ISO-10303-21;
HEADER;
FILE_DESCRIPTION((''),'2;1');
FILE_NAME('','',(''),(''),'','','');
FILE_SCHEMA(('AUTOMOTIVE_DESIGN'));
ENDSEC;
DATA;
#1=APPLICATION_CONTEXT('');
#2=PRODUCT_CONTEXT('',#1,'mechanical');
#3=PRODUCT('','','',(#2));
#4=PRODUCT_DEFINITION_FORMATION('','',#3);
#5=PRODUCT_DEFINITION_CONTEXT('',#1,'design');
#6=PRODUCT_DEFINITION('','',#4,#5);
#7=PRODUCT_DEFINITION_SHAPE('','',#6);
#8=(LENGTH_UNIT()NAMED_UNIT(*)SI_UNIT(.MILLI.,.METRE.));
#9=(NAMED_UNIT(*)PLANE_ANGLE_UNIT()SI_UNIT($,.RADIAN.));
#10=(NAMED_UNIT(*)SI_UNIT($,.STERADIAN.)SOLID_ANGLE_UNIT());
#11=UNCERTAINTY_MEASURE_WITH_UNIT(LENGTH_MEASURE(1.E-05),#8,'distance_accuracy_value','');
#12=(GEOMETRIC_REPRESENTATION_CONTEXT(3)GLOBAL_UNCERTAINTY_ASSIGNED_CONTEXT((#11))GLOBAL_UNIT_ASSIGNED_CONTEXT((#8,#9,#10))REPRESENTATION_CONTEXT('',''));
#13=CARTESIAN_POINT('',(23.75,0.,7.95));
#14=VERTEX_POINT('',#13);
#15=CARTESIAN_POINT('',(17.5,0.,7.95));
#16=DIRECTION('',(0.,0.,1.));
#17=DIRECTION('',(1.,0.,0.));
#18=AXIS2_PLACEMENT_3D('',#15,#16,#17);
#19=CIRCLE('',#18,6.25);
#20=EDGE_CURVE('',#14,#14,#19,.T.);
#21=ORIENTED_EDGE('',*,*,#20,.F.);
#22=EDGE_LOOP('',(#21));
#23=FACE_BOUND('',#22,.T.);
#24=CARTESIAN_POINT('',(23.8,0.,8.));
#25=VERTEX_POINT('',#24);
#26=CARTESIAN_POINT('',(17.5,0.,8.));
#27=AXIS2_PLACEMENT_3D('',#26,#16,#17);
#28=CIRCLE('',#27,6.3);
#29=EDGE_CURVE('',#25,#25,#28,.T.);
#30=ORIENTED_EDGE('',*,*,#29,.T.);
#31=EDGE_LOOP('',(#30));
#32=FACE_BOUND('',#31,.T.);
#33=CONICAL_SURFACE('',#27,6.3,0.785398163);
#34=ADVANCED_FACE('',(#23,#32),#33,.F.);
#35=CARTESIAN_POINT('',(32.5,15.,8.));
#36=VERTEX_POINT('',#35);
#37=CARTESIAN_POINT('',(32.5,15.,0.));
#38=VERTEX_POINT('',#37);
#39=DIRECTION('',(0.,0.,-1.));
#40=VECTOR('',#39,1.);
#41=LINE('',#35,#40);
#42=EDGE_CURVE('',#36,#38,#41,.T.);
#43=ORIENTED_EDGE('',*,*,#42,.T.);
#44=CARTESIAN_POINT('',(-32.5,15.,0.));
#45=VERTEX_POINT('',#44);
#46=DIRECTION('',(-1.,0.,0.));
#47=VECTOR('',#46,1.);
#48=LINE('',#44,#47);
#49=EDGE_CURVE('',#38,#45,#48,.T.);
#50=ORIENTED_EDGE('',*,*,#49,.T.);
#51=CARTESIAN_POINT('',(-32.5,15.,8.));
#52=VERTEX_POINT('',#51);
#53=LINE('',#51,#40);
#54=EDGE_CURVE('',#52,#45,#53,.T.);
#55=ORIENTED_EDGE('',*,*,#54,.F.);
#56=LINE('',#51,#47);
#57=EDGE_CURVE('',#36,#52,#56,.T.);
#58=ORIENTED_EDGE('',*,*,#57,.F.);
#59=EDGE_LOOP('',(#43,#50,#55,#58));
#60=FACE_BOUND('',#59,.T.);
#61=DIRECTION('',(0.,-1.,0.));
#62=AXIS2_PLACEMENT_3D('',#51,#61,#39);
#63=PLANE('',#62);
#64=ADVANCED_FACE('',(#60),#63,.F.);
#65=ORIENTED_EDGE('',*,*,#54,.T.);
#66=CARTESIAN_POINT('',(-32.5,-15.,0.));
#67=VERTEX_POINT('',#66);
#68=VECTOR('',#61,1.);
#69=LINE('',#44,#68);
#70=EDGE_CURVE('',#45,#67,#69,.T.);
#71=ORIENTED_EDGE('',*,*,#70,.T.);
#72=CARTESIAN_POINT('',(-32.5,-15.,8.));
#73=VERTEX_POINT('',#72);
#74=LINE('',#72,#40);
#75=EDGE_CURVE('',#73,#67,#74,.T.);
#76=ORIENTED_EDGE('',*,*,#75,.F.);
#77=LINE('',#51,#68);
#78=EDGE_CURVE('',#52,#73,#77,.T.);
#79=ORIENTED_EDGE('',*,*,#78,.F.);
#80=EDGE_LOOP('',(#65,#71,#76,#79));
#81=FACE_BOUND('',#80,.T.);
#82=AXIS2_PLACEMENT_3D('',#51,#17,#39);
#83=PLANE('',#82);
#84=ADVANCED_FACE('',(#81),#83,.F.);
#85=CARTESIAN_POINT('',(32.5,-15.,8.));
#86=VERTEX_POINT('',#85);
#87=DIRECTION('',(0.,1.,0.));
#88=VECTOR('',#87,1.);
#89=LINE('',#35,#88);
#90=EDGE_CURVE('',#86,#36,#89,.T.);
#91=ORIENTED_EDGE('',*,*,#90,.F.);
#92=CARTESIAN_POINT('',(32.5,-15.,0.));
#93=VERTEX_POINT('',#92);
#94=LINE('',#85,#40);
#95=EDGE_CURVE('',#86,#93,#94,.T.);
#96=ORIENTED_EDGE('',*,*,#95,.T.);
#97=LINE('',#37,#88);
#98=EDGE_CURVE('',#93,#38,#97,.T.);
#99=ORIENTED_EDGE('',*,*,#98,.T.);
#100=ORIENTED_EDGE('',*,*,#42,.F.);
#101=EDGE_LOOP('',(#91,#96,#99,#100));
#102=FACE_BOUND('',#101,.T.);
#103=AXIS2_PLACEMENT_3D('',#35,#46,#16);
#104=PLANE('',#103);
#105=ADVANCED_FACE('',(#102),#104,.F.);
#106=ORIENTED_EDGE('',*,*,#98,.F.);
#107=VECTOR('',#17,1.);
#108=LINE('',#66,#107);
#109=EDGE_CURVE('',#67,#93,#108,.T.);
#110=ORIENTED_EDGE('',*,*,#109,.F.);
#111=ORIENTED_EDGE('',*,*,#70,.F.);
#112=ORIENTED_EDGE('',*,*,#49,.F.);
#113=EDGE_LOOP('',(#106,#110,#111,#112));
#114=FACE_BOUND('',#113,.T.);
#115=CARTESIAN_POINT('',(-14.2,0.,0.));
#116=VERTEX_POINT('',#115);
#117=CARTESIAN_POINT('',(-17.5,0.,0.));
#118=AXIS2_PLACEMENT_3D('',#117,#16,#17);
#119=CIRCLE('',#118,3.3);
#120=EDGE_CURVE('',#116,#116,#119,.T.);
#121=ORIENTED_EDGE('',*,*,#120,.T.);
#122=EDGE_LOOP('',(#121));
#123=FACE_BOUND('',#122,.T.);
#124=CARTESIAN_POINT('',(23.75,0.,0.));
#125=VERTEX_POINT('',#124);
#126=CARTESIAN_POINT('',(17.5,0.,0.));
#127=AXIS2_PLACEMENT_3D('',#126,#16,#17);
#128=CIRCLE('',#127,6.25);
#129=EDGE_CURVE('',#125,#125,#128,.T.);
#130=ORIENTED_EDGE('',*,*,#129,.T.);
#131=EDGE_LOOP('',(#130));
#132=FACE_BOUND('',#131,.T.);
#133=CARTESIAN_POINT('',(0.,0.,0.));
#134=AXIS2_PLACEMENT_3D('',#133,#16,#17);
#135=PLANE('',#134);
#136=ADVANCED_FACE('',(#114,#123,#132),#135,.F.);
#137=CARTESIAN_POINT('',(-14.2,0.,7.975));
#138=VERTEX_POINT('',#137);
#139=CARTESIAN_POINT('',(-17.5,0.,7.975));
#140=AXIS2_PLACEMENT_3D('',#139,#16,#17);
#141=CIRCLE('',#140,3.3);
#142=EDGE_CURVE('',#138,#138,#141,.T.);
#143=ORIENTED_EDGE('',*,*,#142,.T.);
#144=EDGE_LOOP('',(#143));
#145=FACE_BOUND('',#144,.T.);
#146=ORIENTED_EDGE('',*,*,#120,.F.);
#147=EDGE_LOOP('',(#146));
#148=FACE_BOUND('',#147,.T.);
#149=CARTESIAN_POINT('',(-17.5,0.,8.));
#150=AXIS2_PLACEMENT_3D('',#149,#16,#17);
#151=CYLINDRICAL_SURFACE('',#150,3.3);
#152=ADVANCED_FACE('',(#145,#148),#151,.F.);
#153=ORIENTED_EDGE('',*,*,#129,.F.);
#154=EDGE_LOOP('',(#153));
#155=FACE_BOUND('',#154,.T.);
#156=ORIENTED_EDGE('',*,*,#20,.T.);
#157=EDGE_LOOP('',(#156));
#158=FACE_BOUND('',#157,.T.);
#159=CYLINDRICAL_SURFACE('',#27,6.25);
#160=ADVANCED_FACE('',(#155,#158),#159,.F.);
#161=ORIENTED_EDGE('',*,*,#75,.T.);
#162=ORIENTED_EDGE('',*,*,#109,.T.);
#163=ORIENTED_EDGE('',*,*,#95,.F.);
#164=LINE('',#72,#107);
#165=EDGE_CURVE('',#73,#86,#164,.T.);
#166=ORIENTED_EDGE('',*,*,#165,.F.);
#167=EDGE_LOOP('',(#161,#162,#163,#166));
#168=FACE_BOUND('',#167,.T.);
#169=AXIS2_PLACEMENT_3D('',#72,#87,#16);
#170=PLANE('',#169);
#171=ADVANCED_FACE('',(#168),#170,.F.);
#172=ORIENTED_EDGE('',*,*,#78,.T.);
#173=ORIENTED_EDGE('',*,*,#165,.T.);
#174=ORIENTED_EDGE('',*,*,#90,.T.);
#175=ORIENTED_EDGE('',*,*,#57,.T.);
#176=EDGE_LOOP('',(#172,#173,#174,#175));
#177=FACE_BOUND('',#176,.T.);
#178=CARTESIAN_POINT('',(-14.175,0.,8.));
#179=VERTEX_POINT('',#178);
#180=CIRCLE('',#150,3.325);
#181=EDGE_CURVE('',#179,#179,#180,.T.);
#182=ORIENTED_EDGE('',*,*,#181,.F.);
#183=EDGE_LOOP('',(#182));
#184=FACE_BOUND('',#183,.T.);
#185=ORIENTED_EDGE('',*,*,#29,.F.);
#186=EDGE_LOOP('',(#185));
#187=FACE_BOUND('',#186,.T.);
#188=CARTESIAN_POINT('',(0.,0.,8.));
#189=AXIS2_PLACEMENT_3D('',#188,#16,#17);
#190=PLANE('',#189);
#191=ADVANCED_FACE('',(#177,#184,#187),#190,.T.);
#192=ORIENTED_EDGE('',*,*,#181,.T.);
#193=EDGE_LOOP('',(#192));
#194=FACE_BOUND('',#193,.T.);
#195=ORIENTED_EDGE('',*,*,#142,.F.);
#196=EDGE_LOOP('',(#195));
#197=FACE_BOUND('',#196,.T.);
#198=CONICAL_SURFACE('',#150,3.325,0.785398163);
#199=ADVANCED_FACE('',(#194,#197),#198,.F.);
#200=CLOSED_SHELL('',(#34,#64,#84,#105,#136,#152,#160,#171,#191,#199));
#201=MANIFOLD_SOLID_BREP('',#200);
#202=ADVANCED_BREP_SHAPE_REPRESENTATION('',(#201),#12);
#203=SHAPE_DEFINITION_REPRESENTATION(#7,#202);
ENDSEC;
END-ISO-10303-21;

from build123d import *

# Parameters (mm, degrees)
SKETCH_1_W                   = 65
SKETCH_1_H                   = 30
EXTRUDE_1_DEPTH              = 8
HOLE_WIZARD_M6_1_D           = 6.6
HOLE_WIZARD_M6_1_DEPTH       = 20
HOLE_WIZARD_M6_1_CSINK_D     = 6.65
HOLE_WIZARD_M6_1_CSINK_ANGLE = 90
HOLE_WIZARD_M6_1_TIP         = 1.982840043
HOLE_WIZARD_M6_2_D           = 12.5
HOLE_WIZARD_M6_2_DEPTH       = 20
HOLE_WIZARD_M6_2_CSINK_D     = 12.6
HOLE_WIZARD_M6_2_CSINK_ANGLE = 90
HOLE_WIZARD_M6_2_TIP         = 3.755378869


with BuildPart() as part:
    # 草图1 → 凸台-拉伸1 (new body)
    with BuildSketch(Plane.XY):
        Rectangle(SKETCH_1_W, SKETCH_1_H)
    extrude(amount=EXTRUDE_1_DEPTH)

    # M6 间隙槽口1
    with Locations(Plane.XY.offset(8)):
        with Locations((-17.5, 0)):
            CounterSinkHole(HOLE_WIZARD_M6_1_D / 2, HOLE_WIZARD_M6_1_CSINK_D / 2, depth=HOLE_WIZARD_M6_1_DEPTH, counter_sink_angle=HOLE_WIZARD_M6_1_CSINK_ANGLE)
            with Locations((0, 0, -(HOLE_WIZARD_M6_1_DEPTH + HOLE_WIZARD_M6_1_TIP / 2))):  # 118° drill point
                Cone(0, HOLE_WIZARD_M6_1_D / 2, HOLE_WIZARD_M6_1_TIP, mode=Mode.SUBTRACT)

    # M6 间隙槽口2
    with Locations(Plane.XY.offset(8)):
        with Locations((17.5, 0)):
            CounterSinkHole(HOLE_WIZARD_M6_2_D / 2, HOLE_WIZARD_M6_2_CSINK_D / 2, depth=HOLE_WIZARD_M6_2_DEPTH, counter_sink_angle=HOLE_WIZARD_M6_2_CSINK_ANGLE)
            with Locations((0, 0, -(HOLE_WIZARD_M6_2_DEPTH + HOLE_WIZARD_M6_2_TIP / 2))):  # 118° drill point
                Cone(0, HOLE_WIZARD_M6_2_D / 2, HOLE_WIZARD_M6_2_TIP, mode=Mode.SUBTRACT)


solid = part.part
